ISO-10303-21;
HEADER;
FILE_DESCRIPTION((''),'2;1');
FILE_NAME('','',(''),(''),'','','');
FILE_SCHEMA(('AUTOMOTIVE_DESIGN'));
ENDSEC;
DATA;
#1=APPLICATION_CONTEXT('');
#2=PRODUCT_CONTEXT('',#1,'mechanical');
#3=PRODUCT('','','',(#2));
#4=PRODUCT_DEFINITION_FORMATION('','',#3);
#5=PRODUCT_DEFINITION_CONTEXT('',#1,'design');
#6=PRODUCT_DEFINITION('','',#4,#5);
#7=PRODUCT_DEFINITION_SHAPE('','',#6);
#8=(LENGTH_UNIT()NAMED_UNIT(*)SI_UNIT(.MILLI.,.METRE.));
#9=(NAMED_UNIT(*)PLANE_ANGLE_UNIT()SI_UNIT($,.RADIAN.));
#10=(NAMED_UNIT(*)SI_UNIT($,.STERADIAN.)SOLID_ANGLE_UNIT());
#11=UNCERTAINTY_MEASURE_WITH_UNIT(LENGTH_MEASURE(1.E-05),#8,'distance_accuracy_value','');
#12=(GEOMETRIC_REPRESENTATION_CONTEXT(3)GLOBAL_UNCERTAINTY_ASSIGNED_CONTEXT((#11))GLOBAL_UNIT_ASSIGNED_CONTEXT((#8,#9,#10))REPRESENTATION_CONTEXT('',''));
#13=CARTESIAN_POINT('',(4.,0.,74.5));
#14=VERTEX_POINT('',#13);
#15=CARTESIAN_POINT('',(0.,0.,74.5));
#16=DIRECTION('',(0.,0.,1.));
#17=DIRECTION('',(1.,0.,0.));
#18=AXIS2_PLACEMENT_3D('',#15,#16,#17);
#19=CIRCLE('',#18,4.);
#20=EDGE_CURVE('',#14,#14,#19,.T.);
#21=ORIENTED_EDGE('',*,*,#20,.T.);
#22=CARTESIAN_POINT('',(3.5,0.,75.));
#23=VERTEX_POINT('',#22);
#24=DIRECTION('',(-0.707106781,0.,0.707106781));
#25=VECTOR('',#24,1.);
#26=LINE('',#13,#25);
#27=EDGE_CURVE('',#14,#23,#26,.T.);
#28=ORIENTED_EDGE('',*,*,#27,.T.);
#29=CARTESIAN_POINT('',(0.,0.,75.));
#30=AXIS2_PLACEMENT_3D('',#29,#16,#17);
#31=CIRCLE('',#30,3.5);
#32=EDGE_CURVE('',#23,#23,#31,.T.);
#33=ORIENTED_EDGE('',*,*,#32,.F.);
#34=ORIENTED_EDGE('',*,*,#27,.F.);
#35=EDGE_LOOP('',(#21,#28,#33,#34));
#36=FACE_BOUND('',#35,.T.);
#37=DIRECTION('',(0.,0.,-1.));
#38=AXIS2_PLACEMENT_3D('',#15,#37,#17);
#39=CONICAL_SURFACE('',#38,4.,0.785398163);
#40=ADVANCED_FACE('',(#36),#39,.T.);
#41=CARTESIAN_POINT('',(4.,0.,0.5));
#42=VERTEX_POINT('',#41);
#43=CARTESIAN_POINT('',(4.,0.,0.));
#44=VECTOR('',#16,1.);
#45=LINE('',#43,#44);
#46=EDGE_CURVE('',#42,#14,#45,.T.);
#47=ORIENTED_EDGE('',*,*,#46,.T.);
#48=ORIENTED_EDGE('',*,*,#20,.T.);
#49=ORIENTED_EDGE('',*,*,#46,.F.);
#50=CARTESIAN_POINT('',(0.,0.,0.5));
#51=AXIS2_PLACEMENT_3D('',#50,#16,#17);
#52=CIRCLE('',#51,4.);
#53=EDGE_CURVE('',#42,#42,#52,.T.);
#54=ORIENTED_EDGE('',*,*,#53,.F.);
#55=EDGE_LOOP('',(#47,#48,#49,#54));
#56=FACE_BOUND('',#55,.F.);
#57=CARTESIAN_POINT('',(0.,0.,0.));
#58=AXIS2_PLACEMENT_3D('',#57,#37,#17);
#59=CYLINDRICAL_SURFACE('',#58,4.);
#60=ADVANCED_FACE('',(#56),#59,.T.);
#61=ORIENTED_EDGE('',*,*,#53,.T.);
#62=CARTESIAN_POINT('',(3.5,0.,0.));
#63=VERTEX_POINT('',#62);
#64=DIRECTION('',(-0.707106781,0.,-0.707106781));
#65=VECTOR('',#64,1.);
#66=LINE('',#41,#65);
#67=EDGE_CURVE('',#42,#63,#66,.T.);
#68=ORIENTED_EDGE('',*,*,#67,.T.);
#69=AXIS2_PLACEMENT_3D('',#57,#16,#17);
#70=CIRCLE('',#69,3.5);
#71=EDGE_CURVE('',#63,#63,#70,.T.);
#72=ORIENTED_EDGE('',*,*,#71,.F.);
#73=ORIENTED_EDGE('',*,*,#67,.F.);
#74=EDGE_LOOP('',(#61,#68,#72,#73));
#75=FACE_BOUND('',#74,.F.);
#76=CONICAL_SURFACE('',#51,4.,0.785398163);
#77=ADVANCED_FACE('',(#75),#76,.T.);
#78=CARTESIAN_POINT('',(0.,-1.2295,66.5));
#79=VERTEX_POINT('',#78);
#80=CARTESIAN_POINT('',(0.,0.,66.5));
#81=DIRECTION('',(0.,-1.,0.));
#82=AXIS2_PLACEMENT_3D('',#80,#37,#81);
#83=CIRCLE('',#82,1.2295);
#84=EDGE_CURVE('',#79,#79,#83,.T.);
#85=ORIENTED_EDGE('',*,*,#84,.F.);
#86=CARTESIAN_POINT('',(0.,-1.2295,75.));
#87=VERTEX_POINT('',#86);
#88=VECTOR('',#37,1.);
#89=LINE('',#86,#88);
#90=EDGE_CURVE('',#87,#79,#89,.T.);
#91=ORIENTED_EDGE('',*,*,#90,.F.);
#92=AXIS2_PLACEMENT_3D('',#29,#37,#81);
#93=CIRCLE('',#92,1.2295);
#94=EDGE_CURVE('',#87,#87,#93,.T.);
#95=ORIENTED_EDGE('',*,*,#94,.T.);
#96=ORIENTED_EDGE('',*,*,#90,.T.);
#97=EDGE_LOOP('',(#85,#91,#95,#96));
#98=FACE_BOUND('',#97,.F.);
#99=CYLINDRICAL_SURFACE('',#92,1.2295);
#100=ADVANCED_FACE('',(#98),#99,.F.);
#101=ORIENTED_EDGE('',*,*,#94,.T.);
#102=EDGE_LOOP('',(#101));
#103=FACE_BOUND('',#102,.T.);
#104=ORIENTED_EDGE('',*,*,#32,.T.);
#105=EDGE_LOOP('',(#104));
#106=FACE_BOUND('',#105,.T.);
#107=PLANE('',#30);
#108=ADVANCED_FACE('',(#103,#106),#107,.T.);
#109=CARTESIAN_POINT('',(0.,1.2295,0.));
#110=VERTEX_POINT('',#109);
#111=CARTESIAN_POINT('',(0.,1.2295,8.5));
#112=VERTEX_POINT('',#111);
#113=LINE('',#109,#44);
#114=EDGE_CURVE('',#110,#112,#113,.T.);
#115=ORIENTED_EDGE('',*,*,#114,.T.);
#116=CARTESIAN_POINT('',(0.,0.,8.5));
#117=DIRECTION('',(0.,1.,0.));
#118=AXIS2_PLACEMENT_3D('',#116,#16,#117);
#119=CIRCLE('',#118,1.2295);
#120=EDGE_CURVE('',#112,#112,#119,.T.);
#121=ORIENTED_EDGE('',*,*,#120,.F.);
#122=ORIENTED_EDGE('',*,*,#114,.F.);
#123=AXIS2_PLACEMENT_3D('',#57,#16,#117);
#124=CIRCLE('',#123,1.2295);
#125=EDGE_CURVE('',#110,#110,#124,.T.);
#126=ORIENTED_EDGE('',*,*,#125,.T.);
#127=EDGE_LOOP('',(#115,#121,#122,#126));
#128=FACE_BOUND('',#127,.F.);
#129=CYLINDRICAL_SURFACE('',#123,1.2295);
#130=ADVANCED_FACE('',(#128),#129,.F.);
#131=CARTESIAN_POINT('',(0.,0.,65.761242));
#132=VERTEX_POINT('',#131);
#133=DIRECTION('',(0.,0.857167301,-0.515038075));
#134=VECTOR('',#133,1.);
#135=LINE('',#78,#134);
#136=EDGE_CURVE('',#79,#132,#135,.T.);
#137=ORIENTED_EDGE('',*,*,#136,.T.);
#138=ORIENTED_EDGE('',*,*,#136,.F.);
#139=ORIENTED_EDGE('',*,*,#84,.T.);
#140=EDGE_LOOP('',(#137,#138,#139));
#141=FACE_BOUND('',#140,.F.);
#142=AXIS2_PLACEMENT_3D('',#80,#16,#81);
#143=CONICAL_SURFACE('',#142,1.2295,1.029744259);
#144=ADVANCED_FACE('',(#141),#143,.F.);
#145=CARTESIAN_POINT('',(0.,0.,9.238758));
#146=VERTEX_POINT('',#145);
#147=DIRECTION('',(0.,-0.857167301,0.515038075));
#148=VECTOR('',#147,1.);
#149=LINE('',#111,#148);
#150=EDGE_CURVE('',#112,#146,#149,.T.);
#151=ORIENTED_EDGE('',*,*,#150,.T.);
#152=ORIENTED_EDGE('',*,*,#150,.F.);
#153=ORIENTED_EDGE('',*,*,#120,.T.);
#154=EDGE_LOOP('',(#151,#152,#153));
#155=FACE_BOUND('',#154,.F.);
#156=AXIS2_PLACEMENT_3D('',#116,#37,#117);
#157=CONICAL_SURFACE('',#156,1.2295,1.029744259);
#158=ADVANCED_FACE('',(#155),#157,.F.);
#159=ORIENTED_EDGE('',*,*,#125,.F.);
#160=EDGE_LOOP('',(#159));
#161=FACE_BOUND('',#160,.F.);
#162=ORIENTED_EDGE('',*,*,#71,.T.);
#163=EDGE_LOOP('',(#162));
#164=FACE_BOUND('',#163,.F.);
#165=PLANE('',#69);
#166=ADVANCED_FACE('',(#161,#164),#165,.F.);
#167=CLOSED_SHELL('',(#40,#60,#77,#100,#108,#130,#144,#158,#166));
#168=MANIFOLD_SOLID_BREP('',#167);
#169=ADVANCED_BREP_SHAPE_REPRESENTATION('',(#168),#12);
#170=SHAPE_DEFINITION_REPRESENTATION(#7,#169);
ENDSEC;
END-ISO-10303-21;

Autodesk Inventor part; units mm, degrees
ref_plane "Plan YZ" through (0, 0, 0) normal (1, 0, 0) x (0, 1, 0)
ref_plane "Plan XZ" through (0, 0, 0) normal (0, 1, 0) x (-1, 0, 0)
ref_plane "Plan XY" through (0, 0, 0) normal (0, 0, 1) x (1, 0, 0)
sketch "Esquisse1" plane through (0, 0, 0) normal (0, 0, 1) x (1, 0, 0)
  circle A0 centre (0, 0) radius 4
  dimension "d0" = 8
extrude "Extrusion1" add sketch "Esquisse1" along normal blind 75
sketch "Esquisse6" plane through (0, 0, 75) normal (0, 0, 1) x (1, 0, 0)
  point P0 (0, 0)
  point P1 (0, 0)
hole "Perçage1" at (0, 0, 75) direction (0, 0, -1) diameter 2.459 depth 8.5 tip angle 118 thread size "M3x0.5" class "6H" standard "ISO M"
sketch "Esquisse7" plane through (0, 0, 0) normal (0, 0, -1) x (-1, 0, 0)
  circle A0 centre (0, 0) radius 1.2295 projected
hole "Perçage2" at (0, 0, 0) direction (0, 0, 1) diameter 2.459 depth 8.5 tip angle 118 thread size "M3x0.5" class "6H" standard "ISO M"
chamfer "Chanfrein1" distance 0.5 angle 45 2 edges at (-4, 0, 0) (-4, 0, 75)
properties part number "P1704_001" material ".EN AW-6082/AlMgSi1"
